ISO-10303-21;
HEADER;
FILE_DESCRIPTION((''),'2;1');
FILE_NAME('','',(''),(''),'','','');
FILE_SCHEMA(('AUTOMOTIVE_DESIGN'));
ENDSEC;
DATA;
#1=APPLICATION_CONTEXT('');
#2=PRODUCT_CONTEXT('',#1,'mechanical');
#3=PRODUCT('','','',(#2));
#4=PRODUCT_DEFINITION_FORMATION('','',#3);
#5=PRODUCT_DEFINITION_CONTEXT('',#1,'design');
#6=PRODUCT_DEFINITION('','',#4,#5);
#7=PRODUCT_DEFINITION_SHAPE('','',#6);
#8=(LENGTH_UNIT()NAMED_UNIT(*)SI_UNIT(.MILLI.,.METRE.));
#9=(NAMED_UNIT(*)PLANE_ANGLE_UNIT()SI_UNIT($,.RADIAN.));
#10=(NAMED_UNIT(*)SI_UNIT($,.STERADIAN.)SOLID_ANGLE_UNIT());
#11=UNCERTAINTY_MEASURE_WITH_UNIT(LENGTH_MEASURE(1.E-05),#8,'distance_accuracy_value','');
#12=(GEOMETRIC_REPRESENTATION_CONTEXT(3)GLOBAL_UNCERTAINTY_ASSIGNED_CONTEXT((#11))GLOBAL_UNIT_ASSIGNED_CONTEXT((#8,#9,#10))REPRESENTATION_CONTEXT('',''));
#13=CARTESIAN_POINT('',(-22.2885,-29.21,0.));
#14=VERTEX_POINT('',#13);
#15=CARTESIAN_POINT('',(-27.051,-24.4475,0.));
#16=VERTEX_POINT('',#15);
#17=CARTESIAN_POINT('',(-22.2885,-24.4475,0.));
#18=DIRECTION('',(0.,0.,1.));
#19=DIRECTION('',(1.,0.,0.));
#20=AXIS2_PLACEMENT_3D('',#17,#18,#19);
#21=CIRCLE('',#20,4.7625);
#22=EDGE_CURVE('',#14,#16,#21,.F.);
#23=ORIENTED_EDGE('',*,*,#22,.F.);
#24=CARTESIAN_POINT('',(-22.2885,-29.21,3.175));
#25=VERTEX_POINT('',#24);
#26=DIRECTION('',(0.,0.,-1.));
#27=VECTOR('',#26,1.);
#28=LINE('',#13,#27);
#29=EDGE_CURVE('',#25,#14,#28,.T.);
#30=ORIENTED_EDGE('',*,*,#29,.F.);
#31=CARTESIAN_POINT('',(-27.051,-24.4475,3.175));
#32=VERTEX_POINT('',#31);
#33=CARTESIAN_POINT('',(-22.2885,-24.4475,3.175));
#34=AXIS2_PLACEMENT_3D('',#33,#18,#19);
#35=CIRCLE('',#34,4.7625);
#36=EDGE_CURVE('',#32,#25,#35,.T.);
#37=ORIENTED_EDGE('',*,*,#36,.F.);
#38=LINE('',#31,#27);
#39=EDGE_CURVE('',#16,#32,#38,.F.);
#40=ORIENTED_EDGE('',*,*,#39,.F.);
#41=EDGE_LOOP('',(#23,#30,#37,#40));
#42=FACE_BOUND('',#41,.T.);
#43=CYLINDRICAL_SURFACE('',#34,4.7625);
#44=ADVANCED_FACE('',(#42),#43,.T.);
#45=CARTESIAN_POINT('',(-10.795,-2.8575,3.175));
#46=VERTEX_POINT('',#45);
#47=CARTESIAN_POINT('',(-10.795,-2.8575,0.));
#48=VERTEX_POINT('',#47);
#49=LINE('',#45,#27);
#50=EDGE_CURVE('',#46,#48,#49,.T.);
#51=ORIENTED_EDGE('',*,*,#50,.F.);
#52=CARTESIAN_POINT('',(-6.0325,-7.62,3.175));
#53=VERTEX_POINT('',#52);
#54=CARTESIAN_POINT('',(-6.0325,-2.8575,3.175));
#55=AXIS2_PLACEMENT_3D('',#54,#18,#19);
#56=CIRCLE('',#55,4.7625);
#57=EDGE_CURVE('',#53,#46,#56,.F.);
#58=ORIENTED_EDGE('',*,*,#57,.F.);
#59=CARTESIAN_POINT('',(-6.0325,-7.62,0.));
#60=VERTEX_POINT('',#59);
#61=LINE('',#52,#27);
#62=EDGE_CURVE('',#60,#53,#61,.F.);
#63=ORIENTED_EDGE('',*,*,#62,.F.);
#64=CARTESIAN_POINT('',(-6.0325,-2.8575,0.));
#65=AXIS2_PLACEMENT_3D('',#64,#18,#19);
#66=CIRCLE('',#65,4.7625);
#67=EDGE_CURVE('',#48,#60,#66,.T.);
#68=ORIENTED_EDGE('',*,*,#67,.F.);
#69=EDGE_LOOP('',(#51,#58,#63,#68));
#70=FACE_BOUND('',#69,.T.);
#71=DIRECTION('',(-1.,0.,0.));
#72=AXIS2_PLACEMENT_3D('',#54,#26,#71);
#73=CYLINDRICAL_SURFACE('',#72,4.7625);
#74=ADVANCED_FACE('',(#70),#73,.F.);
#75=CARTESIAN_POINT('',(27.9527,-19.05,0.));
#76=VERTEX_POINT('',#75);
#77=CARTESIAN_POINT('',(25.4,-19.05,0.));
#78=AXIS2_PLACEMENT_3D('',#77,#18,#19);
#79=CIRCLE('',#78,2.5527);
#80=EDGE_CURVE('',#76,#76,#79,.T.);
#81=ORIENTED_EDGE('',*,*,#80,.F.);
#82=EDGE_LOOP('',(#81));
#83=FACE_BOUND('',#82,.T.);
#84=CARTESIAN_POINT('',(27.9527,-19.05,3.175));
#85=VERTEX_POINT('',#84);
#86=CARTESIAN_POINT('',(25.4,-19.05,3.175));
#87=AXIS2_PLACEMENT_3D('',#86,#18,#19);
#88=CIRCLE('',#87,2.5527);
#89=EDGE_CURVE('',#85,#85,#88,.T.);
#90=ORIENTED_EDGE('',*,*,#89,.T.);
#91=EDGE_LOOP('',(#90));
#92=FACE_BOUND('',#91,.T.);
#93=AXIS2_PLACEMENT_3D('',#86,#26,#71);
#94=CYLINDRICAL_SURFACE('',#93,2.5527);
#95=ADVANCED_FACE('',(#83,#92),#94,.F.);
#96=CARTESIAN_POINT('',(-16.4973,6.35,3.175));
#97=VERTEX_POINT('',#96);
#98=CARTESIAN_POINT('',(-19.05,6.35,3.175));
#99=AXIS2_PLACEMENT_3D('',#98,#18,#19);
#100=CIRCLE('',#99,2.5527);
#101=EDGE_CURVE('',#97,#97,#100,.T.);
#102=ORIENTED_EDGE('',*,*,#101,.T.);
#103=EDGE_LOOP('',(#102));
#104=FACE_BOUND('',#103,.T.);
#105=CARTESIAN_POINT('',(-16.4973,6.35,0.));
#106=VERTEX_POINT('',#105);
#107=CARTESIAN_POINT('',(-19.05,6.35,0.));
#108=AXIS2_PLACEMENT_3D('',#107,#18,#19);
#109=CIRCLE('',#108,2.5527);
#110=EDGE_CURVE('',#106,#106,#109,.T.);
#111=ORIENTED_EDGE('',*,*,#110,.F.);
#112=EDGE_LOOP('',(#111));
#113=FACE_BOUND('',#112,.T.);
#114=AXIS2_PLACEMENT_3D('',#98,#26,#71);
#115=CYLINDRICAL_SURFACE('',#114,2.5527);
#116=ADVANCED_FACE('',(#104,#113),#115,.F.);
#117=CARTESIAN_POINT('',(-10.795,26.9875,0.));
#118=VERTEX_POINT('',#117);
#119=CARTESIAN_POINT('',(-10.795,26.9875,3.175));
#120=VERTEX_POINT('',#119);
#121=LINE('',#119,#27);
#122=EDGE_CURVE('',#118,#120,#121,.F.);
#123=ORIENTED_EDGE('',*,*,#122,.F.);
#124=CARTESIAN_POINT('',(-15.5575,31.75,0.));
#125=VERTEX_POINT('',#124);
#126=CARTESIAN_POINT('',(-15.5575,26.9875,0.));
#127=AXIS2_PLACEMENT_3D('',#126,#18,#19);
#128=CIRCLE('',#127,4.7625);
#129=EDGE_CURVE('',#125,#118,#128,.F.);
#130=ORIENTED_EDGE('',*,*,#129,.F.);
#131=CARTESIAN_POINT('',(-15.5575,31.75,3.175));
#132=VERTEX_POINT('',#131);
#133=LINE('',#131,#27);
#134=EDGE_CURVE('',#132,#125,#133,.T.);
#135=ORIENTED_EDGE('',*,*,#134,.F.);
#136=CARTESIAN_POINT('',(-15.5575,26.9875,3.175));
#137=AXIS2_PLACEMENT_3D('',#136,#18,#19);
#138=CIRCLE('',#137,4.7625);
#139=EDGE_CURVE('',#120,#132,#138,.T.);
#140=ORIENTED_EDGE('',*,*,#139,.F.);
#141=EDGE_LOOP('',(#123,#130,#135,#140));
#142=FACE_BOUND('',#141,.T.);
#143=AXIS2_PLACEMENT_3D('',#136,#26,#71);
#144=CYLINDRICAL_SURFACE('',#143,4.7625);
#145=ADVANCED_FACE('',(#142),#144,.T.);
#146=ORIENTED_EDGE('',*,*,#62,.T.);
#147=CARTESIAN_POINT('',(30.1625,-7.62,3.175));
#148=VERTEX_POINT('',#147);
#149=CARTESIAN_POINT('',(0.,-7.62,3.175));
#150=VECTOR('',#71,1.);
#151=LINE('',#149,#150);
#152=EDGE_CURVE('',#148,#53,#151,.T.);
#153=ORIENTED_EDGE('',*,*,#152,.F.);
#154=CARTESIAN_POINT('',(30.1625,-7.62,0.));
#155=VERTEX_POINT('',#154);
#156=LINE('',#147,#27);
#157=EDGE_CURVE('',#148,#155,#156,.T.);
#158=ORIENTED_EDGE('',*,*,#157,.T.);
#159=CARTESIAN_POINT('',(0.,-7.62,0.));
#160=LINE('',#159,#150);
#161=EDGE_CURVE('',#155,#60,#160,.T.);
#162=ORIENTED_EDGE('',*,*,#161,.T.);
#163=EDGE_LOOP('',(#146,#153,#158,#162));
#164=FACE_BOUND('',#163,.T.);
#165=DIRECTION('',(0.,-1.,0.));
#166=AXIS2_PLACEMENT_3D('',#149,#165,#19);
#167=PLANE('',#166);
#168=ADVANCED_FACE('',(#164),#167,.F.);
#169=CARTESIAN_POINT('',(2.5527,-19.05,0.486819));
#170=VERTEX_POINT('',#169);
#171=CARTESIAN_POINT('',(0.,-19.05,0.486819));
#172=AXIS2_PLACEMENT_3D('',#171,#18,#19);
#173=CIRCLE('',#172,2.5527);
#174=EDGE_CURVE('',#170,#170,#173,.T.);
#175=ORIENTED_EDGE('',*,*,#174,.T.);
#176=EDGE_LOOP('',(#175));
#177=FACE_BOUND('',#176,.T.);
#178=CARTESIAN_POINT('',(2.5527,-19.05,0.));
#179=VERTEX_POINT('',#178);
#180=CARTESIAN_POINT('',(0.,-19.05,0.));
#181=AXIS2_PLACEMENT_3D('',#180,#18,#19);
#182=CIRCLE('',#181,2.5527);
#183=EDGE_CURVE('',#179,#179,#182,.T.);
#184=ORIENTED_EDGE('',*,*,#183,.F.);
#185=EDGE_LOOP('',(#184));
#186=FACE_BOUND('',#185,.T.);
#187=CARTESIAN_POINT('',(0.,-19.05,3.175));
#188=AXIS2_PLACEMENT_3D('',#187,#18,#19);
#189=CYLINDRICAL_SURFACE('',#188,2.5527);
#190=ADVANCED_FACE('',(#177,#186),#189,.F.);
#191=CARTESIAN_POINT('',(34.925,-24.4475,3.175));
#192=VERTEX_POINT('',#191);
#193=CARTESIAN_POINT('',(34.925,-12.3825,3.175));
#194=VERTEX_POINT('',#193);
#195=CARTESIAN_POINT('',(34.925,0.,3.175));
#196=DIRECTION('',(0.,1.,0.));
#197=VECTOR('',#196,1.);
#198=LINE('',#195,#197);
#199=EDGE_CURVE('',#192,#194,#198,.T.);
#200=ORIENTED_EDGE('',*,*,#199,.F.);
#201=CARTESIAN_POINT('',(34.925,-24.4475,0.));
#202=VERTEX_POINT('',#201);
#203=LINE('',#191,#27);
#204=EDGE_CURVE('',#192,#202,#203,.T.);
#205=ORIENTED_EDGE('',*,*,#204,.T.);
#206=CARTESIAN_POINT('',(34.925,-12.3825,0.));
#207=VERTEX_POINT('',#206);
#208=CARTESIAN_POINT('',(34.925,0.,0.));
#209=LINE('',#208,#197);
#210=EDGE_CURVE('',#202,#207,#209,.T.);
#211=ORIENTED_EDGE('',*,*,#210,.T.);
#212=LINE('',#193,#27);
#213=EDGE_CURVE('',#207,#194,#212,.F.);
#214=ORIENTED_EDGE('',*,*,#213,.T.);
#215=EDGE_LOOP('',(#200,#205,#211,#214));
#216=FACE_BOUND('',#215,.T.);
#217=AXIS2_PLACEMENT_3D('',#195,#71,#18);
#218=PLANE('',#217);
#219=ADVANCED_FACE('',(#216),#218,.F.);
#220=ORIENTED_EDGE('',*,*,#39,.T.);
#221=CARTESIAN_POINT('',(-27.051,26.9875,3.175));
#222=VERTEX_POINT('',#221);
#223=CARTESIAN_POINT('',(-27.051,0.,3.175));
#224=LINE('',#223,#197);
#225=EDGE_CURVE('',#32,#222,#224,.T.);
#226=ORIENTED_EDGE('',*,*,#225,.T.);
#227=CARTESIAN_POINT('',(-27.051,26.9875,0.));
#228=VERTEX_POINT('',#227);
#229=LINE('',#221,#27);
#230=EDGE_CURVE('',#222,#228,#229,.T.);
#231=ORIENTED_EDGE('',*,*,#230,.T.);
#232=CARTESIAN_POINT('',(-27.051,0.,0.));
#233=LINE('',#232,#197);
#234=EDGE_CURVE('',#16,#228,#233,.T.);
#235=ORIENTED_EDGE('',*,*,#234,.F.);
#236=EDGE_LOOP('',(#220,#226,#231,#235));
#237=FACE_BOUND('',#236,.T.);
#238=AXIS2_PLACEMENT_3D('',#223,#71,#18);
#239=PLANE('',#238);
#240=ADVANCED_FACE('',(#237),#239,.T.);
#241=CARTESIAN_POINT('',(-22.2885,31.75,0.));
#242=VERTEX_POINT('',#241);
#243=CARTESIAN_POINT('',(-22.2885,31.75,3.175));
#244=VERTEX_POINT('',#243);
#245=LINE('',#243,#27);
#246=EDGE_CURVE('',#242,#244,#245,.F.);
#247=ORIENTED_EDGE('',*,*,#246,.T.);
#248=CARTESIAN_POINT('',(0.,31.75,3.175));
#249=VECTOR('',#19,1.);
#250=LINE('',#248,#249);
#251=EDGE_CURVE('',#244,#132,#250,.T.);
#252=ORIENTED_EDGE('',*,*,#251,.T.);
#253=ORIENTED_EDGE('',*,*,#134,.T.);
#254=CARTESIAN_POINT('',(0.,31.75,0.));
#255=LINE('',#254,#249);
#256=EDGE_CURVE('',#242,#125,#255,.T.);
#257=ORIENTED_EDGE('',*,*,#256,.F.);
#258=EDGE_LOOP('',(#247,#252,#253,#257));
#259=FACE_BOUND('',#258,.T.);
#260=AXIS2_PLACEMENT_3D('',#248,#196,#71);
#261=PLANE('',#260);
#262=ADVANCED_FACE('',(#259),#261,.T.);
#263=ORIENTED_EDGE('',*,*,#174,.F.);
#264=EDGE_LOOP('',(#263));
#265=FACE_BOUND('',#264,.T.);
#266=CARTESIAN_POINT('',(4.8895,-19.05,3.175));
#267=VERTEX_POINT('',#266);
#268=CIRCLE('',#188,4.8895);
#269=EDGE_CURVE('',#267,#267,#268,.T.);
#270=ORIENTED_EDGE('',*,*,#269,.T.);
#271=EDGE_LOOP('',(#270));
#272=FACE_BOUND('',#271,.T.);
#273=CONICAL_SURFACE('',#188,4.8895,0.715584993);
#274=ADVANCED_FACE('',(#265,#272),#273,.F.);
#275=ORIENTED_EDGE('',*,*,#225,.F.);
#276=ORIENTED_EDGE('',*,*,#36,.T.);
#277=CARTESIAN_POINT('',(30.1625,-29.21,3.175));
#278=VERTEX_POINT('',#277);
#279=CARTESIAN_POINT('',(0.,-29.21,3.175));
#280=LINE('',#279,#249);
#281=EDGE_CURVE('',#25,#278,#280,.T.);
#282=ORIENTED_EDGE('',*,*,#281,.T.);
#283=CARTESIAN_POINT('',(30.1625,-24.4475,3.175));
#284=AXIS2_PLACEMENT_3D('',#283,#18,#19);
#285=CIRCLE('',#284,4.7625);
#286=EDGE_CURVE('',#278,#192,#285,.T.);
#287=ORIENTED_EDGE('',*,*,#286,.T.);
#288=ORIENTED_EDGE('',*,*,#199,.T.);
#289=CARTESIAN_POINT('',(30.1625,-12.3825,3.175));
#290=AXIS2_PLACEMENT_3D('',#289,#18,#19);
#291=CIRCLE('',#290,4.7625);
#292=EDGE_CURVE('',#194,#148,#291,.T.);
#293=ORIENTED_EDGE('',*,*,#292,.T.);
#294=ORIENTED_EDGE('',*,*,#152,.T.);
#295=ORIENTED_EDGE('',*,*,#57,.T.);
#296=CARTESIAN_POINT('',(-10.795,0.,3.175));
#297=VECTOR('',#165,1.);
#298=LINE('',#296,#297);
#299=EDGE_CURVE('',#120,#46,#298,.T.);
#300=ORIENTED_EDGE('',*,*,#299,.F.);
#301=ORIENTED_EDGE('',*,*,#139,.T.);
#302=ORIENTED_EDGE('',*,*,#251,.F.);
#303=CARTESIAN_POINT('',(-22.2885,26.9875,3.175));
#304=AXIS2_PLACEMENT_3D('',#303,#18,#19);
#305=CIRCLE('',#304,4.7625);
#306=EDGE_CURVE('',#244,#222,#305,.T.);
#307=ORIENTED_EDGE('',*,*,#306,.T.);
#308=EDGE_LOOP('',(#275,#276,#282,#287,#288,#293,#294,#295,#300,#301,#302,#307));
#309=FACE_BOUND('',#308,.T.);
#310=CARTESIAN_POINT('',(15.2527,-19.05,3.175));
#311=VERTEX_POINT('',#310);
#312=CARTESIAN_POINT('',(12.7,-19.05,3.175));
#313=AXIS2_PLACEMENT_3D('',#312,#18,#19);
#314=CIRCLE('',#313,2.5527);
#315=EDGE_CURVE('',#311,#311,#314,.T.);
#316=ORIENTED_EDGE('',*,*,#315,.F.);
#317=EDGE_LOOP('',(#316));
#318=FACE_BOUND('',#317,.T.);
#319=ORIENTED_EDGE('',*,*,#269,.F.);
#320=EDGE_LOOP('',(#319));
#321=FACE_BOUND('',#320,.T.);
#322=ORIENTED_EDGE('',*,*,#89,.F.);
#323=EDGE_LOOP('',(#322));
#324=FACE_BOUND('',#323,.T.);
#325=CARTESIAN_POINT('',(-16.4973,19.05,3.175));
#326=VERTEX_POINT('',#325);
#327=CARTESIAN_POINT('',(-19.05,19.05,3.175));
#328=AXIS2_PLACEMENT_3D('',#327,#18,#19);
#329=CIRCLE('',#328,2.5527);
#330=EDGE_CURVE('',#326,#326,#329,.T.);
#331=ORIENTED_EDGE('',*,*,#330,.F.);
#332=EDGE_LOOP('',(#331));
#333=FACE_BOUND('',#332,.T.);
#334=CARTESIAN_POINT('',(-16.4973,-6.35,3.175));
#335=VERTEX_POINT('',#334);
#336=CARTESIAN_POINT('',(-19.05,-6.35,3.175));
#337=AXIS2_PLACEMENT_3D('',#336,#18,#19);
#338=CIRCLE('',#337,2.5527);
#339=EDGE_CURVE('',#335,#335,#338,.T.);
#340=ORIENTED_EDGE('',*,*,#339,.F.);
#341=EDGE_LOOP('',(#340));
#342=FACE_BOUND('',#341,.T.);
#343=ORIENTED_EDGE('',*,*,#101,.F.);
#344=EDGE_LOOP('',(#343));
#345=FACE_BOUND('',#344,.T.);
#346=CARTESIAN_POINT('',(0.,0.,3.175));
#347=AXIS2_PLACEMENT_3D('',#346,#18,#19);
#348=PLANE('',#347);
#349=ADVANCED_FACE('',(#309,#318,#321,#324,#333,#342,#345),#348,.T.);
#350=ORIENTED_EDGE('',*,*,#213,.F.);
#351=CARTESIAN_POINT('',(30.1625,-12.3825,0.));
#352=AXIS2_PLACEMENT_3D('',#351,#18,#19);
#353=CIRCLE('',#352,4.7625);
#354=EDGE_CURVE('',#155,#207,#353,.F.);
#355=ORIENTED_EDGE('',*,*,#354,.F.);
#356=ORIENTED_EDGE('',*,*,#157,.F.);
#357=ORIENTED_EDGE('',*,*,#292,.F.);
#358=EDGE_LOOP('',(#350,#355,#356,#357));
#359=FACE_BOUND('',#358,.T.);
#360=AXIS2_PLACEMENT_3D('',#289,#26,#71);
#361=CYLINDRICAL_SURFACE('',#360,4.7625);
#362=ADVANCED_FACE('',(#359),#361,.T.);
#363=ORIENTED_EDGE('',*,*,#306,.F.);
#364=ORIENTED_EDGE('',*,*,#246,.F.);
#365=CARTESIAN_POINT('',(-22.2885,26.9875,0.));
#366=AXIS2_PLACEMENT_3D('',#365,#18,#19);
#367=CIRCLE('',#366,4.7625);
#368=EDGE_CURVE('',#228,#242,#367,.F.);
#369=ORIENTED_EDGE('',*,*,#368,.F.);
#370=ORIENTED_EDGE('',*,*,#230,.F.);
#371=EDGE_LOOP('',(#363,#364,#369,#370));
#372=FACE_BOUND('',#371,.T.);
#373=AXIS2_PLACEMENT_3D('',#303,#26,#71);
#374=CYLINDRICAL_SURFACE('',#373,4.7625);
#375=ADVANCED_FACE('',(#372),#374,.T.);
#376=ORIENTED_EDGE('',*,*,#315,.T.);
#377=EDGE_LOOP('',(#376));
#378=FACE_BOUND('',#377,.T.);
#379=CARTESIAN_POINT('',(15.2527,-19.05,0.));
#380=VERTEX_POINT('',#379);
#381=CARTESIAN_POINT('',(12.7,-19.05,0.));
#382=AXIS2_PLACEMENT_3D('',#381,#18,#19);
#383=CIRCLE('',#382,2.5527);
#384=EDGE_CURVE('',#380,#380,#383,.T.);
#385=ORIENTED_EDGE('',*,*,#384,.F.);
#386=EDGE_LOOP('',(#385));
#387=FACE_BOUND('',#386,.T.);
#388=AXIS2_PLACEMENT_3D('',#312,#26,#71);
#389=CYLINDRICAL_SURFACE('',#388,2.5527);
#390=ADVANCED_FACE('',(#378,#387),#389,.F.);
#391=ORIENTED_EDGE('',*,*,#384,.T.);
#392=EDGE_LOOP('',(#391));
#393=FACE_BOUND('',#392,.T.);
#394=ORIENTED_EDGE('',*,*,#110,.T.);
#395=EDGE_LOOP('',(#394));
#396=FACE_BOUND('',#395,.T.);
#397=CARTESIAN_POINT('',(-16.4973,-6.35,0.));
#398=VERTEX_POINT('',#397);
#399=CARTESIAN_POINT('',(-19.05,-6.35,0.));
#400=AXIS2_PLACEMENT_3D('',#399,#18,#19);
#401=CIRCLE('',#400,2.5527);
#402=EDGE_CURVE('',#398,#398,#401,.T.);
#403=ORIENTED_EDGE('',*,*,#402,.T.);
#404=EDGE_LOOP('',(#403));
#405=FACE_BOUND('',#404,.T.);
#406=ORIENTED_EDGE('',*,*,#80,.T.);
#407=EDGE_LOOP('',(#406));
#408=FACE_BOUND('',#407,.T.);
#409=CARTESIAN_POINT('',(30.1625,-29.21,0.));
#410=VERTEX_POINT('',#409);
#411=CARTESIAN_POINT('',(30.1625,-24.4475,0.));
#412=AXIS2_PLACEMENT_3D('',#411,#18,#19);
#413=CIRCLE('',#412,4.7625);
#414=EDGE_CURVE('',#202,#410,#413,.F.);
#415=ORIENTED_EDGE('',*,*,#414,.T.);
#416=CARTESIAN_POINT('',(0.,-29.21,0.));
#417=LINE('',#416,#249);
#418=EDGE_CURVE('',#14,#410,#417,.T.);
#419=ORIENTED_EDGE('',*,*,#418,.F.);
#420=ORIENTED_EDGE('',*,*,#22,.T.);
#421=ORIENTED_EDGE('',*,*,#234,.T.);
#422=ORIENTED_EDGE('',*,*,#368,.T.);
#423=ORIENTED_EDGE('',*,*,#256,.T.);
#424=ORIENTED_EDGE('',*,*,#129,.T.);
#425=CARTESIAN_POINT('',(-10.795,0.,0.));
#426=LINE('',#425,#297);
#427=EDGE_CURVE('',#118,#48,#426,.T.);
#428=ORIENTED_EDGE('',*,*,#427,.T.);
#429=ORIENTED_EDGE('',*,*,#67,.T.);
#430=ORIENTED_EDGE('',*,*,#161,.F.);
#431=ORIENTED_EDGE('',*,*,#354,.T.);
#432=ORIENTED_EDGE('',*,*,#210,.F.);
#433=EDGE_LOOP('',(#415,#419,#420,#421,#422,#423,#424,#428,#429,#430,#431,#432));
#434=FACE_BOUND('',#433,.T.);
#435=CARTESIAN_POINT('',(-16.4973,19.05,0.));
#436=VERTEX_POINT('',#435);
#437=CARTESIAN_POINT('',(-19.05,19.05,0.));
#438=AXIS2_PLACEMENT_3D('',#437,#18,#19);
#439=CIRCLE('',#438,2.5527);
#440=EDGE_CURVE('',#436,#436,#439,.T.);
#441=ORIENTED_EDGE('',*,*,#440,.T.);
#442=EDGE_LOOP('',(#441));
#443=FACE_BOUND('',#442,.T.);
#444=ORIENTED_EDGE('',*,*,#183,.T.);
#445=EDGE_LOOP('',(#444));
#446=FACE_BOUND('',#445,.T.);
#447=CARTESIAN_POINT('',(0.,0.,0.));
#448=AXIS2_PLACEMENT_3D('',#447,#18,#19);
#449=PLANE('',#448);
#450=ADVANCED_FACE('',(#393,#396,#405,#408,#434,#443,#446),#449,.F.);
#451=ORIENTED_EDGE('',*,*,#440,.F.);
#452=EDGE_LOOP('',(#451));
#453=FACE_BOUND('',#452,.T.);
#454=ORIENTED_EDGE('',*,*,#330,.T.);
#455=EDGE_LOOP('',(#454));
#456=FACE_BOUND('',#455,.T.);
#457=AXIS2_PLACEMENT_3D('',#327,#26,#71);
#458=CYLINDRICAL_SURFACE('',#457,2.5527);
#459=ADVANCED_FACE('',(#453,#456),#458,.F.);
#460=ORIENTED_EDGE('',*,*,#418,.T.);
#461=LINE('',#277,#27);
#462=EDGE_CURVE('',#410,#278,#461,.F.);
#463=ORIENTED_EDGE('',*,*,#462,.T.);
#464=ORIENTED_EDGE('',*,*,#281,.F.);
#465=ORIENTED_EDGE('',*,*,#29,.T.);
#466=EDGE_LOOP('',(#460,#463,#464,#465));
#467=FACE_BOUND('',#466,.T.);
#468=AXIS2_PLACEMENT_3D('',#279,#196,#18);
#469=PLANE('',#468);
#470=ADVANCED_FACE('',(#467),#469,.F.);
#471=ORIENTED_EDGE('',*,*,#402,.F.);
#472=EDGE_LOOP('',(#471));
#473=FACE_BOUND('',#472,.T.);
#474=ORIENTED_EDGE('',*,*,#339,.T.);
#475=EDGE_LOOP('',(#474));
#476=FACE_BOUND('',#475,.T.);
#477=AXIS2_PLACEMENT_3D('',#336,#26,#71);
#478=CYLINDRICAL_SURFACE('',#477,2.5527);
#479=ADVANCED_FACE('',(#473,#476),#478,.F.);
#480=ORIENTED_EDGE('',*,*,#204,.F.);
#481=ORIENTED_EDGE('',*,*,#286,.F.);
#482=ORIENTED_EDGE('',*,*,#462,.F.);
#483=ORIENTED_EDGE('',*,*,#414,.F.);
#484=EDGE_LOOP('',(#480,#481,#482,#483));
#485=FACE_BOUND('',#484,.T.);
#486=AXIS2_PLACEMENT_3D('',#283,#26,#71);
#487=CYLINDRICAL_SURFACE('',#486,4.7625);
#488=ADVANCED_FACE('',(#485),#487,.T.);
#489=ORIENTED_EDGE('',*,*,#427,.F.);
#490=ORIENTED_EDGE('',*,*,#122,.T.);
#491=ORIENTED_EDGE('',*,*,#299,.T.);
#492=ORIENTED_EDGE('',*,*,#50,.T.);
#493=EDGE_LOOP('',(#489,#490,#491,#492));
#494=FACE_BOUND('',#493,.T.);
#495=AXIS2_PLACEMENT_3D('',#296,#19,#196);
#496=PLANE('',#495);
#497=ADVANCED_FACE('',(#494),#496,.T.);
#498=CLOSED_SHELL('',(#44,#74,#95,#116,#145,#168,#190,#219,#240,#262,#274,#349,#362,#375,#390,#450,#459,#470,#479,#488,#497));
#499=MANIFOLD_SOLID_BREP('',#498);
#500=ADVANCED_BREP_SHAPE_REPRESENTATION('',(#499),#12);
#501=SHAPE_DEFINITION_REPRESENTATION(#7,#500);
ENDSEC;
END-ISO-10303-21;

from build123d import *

# Parameters (mm, degrees)
SKETCH1_R           = 2.5527
BOSS_EXTRUDE1_DEPTH = 3.175
FILLET1_R           = 4.7625


with BuildPart() as part:
    # Sketch1 → Boss-Extrude1 (new body)
    with BuildSketch(Plane.XY):
        Polygon((-27.051, 31.75), (-27.051, -29.21), (34.925, -29.21), (34.925, -7.62), (-10.795, -7.62), (-10.795, 31.75), align=None)
        with Locations((-19.05, -19.05)):
            Circle(SKETCH1_R, mode=Mode.SUBTRACT)
        with Locations((-19.05, -6.35)):
            Circle(SKETCH1_R, mode=Mode.SUBTRACT)
        with Locations((12.7, -19.05)):
            Circle(SKETCH1_R, mode=Mode.SUBTRACT)
        with Locations((25.4, -19.05)):
            Circle(SKETCH1_R, mode=Mode.SUBTRACT)
        with Locations((-19.05, 6.35)):
            Circle(SKETCH1_R, mode=Mode.SUBTRACT)
        with Locations((-19.05, 19.05)):
            Circle(SKETCH1_R, mode=Mode.SUBTRACT)
        with Locations((-19.05, -19.05)):
            Circle(SKETCH1_R)
    extrude(amount=BOSS_EXTRUDE1_DEPTH)

    # Fillet1
    fillet1_edges = [part.edges().sort_by_distance(p)[0] for p in [
        (-27.051, 31.75, 1.5875),
        (-10.795, 31.75, 1.5875),
        (-10.795, -7.62, 1.5875),
        (34.925, -7.62, 1.5875),
        (34.925, -29.21, 1.5875),
        (-27.051, -29.21, 1.5875),
    ]]
    fillet(fillet1_edges, radius=FILLET1_R)

    # Sketch2 → CSK for #10 Flat Head Machine Screw1 (revolve, cut)
    with BuildSketch(Plane(origin=(0, -19.05, 3.175), x_dir=(0, -1, 0), z_dir=(1, 0, 0))):
        Polygon((0, 0), (0, 3.175), (2.5527, 3.175), (2.5527, 2.688180894), (4.8895, 0), align=None)
    revolve(axis=Axis((0, -19.05, 9.525), (0, 0, -1)), mode=Mode.SUBTRACT)


solid = part.part
